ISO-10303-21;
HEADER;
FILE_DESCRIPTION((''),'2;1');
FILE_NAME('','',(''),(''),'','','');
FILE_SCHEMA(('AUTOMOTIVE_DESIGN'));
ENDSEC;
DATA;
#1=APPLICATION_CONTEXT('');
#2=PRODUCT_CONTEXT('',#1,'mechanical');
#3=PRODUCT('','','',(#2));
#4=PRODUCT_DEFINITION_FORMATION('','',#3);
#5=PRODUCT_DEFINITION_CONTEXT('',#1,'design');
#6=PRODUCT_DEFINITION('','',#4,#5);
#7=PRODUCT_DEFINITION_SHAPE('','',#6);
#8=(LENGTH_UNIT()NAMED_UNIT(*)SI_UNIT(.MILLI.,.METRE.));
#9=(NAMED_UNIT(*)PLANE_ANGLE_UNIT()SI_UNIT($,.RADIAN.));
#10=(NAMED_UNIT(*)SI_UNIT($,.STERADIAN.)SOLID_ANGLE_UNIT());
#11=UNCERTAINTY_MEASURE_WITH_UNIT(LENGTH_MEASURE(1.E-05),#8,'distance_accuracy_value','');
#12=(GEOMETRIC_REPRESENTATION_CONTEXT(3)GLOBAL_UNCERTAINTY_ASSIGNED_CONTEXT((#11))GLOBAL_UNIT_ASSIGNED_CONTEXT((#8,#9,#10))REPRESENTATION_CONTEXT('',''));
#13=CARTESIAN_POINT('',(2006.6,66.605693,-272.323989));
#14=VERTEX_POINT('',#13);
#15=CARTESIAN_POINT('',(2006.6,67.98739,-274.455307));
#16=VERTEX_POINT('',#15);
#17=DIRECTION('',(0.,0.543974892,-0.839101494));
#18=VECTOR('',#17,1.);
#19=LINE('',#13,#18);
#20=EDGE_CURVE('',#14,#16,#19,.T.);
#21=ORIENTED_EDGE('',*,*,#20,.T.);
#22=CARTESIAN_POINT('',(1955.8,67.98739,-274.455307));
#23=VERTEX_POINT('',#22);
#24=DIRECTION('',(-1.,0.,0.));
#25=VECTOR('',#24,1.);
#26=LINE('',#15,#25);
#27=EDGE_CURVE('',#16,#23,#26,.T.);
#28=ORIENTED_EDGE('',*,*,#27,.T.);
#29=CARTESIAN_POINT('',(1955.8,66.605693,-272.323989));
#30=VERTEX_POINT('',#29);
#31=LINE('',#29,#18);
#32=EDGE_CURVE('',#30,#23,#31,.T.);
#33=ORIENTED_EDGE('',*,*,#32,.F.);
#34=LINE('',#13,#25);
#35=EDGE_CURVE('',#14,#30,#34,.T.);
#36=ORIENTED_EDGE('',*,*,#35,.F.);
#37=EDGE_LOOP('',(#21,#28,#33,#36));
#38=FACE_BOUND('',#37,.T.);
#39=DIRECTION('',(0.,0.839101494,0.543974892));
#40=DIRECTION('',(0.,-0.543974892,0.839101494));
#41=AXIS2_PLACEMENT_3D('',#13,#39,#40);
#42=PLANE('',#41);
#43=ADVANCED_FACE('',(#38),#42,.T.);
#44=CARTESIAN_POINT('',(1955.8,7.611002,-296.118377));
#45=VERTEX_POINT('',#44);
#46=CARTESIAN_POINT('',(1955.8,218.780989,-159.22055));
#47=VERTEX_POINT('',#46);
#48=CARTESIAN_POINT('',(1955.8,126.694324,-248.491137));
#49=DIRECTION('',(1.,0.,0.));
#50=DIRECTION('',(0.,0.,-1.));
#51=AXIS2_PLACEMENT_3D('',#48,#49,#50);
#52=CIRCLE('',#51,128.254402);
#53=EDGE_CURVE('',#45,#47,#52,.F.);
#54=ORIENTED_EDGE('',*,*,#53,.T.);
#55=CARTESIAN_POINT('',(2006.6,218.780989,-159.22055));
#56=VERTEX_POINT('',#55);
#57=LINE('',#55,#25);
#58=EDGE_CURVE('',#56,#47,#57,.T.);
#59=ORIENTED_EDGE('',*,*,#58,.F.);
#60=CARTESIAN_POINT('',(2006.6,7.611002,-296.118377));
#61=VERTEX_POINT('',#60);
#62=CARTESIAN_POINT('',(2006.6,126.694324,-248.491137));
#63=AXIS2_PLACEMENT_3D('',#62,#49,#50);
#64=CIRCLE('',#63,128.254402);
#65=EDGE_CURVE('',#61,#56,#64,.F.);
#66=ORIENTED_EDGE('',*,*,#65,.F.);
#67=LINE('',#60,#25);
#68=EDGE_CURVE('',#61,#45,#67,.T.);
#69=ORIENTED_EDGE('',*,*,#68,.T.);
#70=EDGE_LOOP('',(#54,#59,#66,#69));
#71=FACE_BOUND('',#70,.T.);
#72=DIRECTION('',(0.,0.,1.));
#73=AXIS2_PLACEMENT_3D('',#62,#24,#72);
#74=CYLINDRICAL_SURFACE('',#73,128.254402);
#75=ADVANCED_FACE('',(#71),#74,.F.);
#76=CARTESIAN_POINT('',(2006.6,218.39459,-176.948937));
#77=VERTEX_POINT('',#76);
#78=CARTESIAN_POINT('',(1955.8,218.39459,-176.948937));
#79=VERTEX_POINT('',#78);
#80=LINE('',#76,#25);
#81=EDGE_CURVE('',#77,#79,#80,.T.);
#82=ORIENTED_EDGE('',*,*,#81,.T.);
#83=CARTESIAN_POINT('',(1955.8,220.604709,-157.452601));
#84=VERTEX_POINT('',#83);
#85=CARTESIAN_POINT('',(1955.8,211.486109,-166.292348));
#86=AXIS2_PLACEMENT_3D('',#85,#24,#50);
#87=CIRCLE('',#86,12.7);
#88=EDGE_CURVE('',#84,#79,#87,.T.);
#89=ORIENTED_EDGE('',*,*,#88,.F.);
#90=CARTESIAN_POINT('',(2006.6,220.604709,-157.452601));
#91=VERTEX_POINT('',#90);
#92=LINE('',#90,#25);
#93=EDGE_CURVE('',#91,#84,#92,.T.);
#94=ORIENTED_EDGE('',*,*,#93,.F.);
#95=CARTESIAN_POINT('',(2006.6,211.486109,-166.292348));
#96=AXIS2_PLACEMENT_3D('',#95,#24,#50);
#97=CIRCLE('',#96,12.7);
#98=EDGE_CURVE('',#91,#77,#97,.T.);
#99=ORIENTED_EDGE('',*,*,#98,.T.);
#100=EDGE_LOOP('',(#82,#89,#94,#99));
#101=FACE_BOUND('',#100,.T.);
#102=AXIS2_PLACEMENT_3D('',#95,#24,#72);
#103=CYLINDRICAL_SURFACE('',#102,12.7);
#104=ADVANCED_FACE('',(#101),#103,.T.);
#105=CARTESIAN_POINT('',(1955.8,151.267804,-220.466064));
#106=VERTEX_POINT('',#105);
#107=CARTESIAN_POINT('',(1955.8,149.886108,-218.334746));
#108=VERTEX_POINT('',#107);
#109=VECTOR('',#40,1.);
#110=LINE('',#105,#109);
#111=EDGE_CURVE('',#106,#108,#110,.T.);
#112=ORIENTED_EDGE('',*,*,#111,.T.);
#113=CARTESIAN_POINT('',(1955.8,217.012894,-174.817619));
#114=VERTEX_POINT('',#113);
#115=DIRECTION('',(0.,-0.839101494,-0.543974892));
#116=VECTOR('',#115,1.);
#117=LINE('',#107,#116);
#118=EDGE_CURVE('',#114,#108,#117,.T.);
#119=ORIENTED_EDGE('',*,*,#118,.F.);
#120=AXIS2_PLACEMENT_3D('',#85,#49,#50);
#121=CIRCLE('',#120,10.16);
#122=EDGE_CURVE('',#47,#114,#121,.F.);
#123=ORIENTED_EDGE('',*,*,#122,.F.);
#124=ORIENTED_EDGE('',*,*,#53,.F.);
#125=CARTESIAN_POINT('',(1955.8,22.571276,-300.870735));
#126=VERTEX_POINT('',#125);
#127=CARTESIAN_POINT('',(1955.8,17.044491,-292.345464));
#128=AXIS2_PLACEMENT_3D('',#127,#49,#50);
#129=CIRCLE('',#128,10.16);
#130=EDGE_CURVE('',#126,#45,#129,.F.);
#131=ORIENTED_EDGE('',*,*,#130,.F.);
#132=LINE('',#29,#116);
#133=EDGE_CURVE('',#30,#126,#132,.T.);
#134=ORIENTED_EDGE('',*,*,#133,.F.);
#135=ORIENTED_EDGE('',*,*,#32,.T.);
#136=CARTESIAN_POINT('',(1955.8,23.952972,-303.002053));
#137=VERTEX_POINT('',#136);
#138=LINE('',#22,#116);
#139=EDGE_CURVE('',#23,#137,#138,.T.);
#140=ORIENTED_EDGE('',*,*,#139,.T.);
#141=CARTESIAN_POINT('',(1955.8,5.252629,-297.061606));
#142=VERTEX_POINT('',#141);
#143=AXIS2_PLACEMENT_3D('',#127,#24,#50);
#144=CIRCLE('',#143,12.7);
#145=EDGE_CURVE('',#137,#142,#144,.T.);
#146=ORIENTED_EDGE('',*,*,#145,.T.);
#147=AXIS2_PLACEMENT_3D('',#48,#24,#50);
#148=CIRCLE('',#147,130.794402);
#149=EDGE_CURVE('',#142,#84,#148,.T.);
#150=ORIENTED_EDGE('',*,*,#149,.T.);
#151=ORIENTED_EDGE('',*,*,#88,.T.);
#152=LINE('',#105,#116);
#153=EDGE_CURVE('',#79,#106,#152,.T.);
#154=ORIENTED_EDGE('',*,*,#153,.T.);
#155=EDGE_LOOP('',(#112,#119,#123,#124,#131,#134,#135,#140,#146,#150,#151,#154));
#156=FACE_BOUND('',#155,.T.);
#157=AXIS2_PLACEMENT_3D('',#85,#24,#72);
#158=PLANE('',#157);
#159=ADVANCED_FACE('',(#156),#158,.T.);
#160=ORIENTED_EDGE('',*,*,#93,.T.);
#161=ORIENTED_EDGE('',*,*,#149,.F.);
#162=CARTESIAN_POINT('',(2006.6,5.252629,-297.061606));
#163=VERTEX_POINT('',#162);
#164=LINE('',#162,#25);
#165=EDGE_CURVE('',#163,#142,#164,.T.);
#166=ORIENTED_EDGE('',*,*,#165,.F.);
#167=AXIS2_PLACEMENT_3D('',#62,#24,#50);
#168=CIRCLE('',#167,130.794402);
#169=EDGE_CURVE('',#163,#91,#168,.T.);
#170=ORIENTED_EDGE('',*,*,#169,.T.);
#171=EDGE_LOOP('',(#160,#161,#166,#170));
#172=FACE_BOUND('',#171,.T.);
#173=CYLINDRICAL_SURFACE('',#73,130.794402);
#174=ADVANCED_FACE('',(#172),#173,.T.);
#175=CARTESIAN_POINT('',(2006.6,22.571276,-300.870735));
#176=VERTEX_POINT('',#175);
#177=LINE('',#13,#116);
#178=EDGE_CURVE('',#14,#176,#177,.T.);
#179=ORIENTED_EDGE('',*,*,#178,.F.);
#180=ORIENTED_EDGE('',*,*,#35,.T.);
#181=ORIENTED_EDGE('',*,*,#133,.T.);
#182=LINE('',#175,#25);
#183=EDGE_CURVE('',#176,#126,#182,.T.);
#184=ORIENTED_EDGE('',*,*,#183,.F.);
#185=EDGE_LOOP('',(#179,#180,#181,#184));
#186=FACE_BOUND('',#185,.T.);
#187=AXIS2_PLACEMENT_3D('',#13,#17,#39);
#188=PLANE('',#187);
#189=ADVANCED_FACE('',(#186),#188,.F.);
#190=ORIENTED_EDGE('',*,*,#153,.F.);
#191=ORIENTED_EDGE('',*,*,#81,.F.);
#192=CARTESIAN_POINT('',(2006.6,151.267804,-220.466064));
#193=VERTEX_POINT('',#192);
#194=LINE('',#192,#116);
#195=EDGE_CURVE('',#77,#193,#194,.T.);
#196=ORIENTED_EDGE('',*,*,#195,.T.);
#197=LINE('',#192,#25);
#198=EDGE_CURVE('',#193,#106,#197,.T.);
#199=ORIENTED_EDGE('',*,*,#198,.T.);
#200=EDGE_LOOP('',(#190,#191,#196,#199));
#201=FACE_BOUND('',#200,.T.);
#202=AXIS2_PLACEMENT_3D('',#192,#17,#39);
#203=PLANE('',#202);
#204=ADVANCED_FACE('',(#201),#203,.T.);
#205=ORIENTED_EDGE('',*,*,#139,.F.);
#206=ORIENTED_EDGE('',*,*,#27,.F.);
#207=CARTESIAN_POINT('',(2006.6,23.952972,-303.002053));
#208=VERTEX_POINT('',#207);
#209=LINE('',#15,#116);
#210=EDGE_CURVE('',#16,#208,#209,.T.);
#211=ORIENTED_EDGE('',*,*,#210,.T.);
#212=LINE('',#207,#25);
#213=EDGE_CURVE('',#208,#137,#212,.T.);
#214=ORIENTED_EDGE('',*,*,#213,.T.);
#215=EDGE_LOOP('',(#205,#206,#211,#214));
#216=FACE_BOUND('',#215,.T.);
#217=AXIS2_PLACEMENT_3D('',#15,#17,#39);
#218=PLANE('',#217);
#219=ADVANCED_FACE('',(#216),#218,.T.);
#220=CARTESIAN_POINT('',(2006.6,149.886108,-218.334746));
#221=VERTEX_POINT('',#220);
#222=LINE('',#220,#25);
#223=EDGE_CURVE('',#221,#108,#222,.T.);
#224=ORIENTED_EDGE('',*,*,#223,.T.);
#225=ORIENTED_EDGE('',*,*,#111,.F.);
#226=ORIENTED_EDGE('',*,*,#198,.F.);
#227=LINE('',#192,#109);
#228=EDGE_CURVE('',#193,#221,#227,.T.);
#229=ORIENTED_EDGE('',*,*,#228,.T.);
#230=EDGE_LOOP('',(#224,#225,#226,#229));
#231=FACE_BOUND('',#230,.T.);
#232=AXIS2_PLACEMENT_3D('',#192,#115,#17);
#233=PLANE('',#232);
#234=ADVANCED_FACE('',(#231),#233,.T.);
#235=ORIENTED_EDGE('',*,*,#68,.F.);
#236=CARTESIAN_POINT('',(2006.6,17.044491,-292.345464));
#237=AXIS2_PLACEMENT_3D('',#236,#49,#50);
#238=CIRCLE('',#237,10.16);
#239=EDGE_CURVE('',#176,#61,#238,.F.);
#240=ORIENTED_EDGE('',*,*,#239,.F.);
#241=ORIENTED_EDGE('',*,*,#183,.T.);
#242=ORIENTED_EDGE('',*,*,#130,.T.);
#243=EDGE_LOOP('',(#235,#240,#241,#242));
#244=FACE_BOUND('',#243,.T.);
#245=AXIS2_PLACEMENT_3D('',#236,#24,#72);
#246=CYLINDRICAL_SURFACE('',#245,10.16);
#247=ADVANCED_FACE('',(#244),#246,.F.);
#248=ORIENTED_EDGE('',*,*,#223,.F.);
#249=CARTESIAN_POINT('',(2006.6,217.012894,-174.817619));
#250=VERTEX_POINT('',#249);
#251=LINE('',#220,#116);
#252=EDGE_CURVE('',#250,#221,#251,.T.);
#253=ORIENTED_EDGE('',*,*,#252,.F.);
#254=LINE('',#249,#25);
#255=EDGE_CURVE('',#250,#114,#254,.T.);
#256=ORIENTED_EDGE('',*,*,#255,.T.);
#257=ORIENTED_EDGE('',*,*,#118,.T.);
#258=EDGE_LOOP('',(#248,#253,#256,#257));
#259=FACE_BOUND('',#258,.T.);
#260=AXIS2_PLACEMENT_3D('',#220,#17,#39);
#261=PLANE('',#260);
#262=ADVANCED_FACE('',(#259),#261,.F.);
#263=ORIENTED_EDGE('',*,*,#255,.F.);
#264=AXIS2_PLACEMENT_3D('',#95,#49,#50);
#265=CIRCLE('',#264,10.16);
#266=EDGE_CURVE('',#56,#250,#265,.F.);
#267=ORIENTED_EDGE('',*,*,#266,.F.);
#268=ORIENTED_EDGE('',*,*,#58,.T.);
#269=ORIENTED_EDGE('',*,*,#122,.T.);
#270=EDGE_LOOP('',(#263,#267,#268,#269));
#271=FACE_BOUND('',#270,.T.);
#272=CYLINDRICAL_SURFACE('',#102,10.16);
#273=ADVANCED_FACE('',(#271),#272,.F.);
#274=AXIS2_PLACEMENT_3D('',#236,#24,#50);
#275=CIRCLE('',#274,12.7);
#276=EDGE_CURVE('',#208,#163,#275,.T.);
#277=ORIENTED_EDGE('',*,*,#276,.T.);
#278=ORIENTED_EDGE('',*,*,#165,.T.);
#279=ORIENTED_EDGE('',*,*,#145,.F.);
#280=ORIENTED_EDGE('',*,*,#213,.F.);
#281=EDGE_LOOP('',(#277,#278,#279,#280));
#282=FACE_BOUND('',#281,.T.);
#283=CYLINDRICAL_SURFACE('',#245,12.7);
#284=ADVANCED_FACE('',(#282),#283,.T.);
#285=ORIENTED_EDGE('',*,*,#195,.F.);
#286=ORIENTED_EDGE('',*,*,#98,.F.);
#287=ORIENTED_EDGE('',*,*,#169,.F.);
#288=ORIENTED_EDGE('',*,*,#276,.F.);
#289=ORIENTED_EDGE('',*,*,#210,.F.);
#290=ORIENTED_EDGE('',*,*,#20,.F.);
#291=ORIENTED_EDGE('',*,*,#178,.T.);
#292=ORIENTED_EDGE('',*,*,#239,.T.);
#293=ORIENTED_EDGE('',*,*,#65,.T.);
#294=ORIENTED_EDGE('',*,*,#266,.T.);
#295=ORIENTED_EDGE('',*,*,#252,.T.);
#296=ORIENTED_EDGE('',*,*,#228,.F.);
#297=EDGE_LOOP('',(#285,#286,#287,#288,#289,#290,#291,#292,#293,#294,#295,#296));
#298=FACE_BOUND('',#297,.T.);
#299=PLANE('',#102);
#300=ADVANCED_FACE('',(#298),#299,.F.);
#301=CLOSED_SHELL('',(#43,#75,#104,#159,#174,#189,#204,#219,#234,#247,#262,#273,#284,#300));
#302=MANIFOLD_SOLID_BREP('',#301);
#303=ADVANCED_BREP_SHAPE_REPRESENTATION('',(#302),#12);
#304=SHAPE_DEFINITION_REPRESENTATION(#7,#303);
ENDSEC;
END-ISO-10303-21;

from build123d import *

# Parameters (mm, degrees)
EXTRUDE_THIN1_DEPTH = 25.4


with BuildPart() as part:
    # Sketch2 → Extrude-Thin1 (new body, symmetric)
    with BuildSketch(Plane(origin=(1981.2, 0, 0), x_dir=(0, 0, -1), z_dir=(1, 0, 0))):
        with BuildLine():
            Line((220.466063539, 151.267804305), (176.948936788, 218.39459013))
            ThreePointArc((176.948936788, 218.39459013), (167.722867176, 224.105285456), (157.452600901, 220.60470947))
            ThreePointArc((157.452600901, 220.60470947), (138.741359143, 55.545453365), (297.061605662, 5.252629462))
            ThreePointArc((297.061605662, 5.252629462), (304.44942683, 13.199484184), (303.002052812, 23.952972457))
            Line((303.002052812, 23.952972457), (274.455306754, 67.987389518))
            Line((274.455306754, 67.987389518), (272.32398896, 66.605693293))
            Line((272.32398896, 66.605693293), (300.870735018, 22.571276232))
            ThreePointArc((300.870735018, 22.571276232), (302.028634232, 13.968485614), (296.118377298, 7.611001836))
            ThreePointArc((296.118377298, 7.611001836), (140.872676937, 56.927149591), (159.220550284, 218.780989377))
            ThreePointArc((159.220550284, 218.780989377), (167.436763304, 221.581450166), (174.817618993, 217.012893905))
            Line((174.817618993, 217.012893905), (218.334745745, 149.88610808))
            Line((218.334745745, 149.88610808), (220.466063539, 151.267804305))
        make_face()
    extrude(amount=EXTRUDE_THIN1_DEPTH, both=True)


solid = part.part
